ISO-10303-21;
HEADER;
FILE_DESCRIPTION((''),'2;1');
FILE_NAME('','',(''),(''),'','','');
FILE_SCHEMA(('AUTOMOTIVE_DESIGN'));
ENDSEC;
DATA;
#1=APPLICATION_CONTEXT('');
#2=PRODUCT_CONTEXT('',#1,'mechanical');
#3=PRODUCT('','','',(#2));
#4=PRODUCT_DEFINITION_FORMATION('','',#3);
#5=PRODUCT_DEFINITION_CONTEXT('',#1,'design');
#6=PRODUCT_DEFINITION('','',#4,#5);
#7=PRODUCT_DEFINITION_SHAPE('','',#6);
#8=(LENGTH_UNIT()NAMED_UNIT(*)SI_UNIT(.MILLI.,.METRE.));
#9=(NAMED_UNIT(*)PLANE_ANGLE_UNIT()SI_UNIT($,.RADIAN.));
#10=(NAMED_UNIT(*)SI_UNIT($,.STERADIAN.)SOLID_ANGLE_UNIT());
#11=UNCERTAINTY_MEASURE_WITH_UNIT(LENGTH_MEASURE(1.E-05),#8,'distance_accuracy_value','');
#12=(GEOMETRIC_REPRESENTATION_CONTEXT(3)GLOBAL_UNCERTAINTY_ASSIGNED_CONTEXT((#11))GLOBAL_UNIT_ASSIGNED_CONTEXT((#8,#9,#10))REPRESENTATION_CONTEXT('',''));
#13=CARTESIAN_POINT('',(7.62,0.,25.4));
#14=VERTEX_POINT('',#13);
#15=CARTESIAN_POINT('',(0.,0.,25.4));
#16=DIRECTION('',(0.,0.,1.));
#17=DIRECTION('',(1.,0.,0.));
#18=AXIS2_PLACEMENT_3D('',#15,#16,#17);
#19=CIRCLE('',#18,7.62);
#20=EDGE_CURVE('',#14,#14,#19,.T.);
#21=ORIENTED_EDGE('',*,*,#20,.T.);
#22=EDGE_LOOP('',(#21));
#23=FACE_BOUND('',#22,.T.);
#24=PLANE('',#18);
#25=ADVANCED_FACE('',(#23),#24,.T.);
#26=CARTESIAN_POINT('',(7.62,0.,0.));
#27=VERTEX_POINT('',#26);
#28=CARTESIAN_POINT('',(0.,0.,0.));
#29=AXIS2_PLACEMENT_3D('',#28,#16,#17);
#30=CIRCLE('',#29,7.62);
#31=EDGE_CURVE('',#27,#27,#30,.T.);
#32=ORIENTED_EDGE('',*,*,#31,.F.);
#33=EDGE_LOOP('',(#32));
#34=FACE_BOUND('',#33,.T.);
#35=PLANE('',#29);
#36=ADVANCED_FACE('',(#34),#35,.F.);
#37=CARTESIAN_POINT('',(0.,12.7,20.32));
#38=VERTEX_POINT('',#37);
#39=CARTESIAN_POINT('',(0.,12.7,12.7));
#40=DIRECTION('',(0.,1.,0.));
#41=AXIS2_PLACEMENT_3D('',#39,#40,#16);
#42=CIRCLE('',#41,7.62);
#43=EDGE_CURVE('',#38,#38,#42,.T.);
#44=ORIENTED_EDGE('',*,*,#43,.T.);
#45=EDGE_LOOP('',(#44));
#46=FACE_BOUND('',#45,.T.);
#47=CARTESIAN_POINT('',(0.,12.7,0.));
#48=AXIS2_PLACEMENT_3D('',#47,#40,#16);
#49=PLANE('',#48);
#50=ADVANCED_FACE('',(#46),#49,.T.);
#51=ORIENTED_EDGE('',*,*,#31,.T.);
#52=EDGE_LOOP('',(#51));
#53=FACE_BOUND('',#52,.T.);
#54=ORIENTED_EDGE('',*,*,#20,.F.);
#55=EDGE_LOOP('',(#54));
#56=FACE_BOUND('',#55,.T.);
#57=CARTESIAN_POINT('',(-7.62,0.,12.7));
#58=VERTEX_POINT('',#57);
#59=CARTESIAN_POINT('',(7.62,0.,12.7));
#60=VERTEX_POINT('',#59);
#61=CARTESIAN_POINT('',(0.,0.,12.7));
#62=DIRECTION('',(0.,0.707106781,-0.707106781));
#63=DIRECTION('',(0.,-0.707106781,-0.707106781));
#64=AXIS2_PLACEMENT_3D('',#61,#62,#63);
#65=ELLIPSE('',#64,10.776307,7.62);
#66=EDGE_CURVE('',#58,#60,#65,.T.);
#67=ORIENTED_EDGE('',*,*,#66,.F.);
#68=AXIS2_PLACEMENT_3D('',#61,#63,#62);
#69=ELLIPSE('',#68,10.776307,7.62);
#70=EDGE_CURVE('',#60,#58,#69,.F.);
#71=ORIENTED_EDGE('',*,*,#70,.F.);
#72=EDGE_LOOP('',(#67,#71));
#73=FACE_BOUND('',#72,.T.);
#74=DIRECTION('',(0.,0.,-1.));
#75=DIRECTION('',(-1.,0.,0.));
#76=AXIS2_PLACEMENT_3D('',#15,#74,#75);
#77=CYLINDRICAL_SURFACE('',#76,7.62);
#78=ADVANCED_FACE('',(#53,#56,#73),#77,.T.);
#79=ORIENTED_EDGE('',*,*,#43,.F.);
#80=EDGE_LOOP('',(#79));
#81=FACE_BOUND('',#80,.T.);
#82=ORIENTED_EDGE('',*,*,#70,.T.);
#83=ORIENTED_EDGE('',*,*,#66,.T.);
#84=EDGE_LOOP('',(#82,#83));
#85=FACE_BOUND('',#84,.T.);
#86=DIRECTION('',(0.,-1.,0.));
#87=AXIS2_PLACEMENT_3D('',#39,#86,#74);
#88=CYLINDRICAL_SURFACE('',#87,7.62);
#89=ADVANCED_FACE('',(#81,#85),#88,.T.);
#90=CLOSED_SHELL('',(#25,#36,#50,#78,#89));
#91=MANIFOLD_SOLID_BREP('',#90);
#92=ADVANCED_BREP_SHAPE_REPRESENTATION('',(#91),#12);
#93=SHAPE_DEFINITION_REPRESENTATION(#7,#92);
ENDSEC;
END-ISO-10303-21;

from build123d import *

# Parameters (mm, degrees)
SKETCH1_R           = 7.62
BOSS_EXTRUDE1_DEPTH = 25.4
SKETCH2_R           = 7.62
BOSS_EXTRUDE2_DEPTH = 12.7


with BuildPart() as part:
    # Sketch1 → Boss-Extrude1 (new body)
    with BuildSketch(Plane.XY):
        Circle(SKETCH1_R)
    extrude(amount=BOSS_EXTRUDE1_DEPTH)

    # Sketch2 → Boss-Extrude2 (add)
    with BuildSketch(Plane(origin=(0, 0, 0), x_dir=(1, 0, 0), z_dir=(0, 1, 0))):
        with Locations((0, -12.7)):
            Circle(SKETCH2_R)
    extrude(amount=BOSS_EXTRUDE2_DEPTH)


solid = part.part
